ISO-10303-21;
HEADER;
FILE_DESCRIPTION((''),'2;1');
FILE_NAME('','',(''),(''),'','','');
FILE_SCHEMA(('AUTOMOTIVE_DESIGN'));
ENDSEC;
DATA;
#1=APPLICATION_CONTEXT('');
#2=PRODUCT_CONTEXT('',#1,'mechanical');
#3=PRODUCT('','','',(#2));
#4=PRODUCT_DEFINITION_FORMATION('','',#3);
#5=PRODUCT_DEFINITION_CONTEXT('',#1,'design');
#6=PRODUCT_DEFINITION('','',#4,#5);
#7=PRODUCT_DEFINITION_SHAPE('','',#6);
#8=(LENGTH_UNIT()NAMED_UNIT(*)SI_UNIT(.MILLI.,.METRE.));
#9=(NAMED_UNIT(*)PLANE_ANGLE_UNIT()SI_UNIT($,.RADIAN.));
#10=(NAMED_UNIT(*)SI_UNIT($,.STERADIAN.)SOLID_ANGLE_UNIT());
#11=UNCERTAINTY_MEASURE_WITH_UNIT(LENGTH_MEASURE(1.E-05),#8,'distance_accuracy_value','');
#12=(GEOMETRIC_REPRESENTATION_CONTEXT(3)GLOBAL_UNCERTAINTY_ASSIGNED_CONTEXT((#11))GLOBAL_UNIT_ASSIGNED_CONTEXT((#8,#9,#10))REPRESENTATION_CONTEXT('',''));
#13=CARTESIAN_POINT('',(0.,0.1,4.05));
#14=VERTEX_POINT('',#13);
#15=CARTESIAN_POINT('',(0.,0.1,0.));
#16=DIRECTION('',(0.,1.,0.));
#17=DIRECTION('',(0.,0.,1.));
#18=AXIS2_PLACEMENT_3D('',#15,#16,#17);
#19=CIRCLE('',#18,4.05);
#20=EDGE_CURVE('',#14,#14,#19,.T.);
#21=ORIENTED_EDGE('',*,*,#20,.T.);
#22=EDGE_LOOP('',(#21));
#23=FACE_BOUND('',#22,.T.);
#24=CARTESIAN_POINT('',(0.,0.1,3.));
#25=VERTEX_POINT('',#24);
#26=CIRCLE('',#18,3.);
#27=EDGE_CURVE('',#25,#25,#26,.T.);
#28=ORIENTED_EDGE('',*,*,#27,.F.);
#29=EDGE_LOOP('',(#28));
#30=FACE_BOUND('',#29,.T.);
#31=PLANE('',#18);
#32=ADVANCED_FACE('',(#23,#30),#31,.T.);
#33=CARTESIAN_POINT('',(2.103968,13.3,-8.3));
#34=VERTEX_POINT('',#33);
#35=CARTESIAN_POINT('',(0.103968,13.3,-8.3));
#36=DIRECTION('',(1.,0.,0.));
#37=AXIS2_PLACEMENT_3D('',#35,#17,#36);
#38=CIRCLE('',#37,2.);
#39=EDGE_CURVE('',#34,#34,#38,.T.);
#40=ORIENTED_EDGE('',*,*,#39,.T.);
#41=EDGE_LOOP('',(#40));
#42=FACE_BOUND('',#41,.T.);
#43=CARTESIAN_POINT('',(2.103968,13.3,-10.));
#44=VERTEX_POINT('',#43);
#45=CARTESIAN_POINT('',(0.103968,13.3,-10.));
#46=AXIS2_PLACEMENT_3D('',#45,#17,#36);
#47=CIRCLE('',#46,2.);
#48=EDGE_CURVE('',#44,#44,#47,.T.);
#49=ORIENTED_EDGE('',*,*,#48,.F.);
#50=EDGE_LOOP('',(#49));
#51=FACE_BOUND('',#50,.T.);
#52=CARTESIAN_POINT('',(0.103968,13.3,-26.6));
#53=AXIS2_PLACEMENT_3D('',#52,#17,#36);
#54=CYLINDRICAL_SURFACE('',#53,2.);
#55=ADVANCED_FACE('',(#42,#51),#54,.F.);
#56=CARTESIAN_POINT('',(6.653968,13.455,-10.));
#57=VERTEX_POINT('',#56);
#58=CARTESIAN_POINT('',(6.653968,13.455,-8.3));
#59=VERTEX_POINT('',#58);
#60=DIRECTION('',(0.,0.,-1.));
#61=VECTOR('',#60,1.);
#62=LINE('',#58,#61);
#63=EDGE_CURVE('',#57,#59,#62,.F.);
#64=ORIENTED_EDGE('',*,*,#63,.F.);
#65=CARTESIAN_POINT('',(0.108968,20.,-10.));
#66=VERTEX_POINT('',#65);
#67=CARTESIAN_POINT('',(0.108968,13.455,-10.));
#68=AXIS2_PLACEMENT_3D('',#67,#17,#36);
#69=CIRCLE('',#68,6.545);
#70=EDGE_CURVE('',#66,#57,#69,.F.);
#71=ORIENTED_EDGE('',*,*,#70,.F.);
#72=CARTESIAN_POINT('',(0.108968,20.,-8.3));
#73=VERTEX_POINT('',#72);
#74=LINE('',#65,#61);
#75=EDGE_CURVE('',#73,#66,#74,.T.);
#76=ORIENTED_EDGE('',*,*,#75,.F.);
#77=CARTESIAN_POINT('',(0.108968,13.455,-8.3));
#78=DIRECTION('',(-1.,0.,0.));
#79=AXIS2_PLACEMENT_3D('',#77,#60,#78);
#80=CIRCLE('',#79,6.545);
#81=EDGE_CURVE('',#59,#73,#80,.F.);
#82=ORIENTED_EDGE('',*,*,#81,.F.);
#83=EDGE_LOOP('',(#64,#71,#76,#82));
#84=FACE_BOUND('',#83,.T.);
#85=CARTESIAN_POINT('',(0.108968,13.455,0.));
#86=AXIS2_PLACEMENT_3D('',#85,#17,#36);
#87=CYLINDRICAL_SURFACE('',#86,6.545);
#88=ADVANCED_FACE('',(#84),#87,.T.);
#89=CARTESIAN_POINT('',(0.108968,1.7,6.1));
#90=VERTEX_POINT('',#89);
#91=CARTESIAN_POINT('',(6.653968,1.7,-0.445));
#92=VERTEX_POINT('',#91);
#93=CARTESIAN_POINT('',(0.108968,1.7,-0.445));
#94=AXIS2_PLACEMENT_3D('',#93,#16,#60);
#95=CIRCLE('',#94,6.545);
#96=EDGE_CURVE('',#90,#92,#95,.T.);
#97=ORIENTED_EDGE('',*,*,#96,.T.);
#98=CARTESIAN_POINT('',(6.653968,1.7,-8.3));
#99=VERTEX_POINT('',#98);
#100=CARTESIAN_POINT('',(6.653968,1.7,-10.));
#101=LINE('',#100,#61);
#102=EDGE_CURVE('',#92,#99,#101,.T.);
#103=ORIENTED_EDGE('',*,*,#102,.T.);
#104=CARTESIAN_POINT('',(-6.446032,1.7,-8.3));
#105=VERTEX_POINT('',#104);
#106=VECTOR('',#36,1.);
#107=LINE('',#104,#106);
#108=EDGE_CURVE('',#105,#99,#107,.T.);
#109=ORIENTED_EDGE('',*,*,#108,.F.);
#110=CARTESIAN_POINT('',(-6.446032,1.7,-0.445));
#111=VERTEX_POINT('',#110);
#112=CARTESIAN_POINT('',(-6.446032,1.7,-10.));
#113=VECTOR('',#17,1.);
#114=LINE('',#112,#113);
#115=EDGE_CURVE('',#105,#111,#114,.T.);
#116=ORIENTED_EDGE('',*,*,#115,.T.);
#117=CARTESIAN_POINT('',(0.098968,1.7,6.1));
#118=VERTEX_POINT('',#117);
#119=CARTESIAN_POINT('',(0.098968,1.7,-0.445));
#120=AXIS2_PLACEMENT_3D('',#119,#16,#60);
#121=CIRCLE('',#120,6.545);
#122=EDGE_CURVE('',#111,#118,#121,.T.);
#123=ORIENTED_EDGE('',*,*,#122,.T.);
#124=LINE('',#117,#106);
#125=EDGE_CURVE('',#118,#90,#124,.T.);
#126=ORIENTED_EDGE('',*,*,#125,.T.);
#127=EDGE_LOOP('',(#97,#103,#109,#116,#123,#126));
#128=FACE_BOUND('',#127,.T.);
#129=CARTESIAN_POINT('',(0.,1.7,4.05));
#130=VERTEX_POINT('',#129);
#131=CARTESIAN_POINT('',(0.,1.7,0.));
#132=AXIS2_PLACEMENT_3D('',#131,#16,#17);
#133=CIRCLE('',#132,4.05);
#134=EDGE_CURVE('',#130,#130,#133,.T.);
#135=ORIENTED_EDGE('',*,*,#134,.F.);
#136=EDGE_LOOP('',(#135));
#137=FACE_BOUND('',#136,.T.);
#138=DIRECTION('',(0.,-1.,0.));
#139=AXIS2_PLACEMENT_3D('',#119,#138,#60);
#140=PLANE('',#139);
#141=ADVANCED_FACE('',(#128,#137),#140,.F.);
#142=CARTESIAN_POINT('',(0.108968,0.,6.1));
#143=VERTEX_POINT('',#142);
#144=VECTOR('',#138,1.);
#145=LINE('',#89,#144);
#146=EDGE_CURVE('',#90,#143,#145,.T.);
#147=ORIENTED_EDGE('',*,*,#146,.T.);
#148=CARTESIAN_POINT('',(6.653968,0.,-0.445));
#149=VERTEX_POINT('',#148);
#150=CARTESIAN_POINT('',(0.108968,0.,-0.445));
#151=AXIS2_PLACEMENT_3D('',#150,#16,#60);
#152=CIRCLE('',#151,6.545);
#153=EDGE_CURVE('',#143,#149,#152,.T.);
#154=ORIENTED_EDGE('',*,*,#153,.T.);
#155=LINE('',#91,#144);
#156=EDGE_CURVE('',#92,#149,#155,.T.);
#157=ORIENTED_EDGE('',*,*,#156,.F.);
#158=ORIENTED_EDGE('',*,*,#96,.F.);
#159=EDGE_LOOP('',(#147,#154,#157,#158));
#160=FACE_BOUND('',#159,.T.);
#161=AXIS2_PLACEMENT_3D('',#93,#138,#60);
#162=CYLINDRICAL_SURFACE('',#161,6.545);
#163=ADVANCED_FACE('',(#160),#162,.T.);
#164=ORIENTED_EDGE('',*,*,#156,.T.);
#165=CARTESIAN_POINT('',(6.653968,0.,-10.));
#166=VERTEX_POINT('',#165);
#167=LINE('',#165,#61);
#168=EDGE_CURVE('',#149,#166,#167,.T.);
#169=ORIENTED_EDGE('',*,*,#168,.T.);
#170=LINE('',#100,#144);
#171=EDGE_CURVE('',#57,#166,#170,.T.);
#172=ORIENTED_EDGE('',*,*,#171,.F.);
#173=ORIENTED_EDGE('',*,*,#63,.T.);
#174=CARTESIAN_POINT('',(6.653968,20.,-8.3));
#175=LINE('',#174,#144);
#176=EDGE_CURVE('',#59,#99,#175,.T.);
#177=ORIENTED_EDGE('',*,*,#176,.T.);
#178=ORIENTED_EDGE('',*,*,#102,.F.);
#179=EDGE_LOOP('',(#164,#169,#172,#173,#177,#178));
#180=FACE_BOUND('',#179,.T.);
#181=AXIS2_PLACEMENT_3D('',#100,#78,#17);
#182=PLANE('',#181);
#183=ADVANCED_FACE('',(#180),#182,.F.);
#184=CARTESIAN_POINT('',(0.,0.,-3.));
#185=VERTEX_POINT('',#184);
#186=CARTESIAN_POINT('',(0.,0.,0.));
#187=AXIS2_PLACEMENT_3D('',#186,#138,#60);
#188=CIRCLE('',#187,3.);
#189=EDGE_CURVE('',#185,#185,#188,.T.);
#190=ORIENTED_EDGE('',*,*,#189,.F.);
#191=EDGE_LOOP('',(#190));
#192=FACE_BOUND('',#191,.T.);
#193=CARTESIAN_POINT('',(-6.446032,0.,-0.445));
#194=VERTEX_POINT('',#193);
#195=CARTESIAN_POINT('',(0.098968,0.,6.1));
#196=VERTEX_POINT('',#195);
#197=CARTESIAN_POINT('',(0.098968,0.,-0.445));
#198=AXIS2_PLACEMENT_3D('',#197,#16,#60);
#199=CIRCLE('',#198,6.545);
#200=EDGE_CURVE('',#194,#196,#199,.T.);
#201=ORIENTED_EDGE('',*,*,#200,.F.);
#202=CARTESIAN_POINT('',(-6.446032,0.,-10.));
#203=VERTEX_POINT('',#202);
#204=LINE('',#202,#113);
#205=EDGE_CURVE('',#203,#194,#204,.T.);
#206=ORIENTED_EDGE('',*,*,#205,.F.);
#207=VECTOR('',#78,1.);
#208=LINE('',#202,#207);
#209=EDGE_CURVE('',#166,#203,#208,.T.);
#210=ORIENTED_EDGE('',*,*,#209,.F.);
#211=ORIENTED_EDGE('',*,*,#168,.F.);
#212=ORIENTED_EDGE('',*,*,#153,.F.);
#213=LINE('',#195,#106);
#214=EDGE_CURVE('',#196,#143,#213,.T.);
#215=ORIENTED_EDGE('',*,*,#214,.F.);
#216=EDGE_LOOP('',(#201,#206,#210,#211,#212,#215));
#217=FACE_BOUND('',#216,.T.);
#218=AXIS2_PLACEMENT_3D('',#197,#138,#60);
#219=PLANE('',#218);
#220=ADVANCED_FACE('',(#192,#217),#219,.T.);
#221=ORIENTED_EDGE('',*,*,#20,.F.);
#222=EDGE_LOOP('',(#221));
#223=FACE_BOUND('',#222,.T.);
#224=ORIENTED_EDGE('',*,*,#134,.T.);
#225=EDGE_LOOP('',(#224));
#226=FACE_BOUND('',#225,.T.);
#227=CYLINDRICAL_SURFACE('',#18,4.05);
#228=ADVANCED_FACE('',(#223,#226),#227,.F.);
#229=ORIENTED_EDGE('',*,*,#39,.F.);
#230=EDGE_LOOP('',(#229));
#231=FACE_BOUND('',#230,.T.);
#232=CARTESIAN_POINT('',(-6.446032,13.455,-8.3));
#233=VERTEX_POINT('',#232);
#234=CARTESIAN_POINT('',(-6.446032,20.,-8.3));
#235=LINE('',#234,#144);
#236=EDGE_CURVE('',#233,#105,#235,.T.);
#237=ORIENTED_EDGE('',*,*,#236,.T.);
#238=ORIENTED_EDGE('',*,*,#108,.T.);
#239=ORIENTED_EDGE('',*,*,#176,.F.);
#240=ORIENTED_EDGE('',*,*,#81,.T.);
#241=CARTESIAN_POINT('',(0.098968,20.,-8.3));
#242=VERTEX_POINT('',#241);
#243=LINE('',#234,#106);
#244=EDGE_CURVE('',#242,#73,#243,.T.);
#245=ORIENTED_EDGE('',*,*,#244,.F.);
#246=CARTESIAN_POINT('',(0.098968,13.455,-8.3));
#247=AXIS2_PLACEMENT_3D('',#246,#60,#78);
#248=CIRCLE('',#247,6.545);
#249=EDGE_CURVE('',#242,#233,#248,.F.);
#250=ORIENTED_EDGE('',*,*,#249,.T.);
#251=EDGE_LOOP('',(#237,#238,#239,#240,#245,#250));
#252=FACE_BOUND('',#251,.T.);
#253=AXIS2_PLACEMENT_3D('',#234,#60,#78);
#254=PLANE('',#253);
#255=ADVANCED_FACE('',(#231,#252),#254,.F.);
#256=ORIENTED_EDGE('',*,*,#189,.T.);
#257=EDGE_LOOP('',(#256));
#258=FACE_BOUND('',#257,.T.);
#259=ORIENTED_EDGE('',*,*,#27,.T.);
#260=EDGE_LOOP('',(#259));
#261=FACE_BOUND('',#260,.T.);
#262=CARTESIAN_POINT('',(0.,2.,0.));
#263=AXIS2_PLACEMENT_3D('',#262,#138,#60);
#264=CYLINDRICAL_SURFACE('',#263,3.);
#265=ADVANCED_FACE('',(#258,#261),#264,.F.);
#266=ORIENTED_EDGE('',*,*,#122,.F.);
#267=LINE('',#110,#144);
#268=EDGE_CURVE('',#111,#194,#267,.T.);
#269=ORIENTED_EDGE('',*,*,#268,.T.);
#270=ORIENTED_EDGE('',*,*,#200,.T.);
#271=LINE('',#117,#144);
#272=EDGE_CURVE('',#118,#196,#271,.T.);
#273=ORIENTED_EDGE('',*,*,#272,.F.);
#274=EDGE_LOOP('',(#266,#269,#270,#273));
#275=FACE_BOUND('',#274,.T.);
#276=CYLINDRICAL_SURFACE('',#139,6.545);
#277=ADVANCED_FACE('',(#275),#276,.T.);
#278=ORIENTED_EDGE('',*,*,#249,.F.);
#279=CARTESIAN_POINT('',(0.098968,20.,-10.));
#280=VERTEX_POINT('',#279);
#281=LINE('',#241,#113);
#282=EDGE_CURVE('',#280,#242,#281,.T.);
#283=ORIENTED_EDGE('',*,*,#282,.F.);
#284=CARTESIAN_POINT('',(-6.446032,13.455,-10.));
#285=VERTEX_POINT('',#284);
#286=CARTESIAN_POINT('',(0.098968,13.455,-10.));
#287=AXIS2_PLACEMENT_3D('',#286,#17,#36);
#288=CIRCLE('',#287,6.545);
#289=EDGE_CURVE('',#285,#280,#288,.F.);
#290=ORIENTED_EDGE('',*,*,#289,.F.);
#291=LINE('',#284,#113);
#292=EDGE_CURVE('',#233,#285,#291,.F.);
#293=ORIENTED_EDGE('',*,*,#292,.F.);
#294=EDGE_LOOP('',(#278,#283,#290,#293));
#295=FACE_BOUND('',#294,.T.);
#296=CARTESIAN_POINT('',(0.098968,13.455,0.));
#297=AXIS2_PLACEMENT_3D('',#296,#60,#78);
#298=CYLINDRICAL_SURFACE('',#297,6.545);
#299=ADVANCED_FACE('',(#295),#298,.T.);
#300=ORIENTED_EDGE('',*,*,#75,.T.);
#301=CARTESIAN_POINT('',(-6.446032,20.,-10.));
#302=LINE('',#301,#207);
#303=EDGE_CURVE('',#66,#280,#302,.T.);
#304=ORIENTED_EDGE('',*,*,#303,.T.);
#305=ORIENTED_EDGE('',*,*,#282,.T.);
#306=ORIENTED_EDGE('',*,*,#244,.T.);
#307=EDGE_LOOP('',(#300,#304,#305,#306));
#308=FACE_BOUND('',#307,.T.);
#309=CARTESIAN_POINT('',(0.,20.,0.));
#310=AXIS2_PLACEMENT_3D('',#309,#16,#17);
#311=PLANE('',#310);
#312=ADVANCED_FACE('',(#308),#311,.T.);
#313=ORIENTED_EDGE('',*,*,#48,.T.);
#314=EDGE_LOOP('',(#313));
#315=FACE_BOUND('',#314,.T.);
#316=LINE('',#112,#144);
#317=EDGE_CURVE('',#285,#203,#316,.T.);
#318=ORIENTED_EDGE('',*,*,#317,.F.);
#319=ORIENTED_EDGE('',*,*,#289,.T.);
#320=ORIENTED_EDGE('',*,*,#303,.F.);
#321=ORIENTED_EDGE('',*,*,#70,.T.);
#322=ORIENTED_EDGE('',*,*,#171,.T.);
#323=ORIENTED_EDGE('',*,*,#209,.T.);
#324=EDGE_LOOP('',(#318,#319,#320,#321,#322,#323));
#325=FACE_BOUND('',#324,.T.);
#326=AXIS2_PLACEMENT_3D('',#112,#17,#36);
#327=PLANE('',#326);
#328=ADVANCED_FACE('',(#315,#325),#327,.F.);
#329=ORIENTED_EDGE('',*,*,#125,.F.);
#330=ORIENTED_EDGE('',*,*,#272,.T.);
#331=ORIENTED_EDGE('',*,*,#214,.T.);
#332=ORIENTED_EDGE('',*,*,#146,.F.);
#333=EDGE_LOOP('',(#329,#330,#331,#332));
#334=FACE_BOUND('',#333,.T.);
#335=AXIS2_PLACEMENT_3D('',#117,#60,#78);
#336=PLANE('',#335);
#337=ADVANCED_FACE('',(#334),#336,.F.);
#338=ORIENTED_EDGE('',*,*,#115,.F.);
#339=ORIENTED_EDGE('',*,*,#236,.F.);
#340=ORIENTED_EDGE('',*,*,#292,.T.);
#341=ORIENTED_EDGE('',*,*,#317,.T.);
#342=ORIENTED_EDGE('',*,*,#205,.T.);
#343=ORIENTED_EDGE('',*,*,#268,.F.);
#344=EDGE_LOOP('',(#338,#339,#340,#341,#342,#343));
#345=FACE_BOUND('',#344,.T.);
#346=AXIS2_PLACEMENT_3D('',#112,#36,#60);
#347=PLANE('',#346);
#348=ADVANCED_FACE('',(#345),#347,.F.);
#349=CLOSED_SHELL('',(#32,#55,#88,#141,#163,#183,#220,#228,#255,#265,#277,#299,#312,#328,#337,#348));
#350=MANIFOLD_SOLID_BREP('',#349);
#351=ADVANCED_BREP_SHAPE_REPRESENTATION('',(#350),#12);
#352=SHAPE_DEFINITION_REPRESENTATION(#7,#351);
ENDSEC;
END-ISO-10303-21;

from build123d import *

# Parameters (mm, degrees)
SKETCH2_R           = 2.5
BOSS_EXTRUDE1_DEPTH = 1.7
SKETCH3_W           = 13.1
SKETCH3_H           = 1.7
BOSS_EXTRUDE2_DEPTH = 18.3
SKETCH4_R           = 2
CUT_EXTRUDE1_DEPTH  = 18.3
FILLET1_R           = 6.545
SKETCH5_R           = 4.05
CUT_EXTRUDE2_DEPTH  = 1.6
SKETCH7_R           = 2.5
SKETCH7_R_2         = 1.5
BOSS_EXTRUDE4_DEPTH = 0.1
SKETCH9_R           = 3
SKETCH9_R_2         = 1.5
CUT_EXTRUDE3_DEPTH  = 2


with BuildPart() as part:
    # Sketch2 → Boss-Extrude1 (new body)
    with BuildSketch(Plane(origin=(0, 0, 0), x_dir=(1, 0, 0), z_dir=(0, 1, 0))):
        with BuildLine():
            Line((-6.446031746, 10), (6.653968254, 10))
            Line((6.653968254, 10), (6.653968254, 0.445))
            ThreePointArc((6.653968254, 0.445), (4.736982137, -4.183013883), (0.108968254, -6.1))
            Line((0.108968254, -6.1), (0.098968254, -6.1))
            ThreePointArc((0.098968254, -6.1), (-4.529045629, -4.183013883), (-6.446031746, 0.445))
            Line((-6.446031746, 0.445), (-6.446031746, 10))
        make_face()
        with Locations(Location((0, 0, 0), (0, 0, 270))):
            Circle(SKETCH2_R, mode=Mode.SUBTRACT)
    extrude(amount=BOSS_EXTRUDE1_DEPTH)

    # Sketch3 → Boss-Extrude2 (add)
    with BuildSketch(Plane(origin=(0, 1.7, 0), x_dir=(1, 0, 0), z_dir=(0, 1, 0))):
        with Locations((0.103968254, 9.15)):
            Rectangle(SKETCH3_W, SKETCH3_H)
    extrude(amount=BOSS_EXTRUDE2_DEPTH)

    # Sketch4 → Cut-Extrude1 (cut)
    with BuildSketch(Plane.XY.offset(-8.3)):
        with Locations((0.103968254, 13.3)):
            Circle(SKETCH4_R)
    extrude(amount=-CUT_EXTRUDE1_DEPTH, mode=Mode.SUBTRACT)

    # Fillet1
    fillet1_edges = [part.edges().sort_by_distance(p)[0] for p in [
        (-6.446031746, 20, -9.15),
        (6.653968254, 20, -9.15),
    ]]
    fillet(fillet1_edges, radius=FILLET1_R)

    # Sketch5 → Cut-Extrude2 (cut)
    with BuildSketch(Plane(origin=(0, 1.7, 0), x_dir=(1, 0, 0), z_dir=(0, 1, 0))):
        with Locations(Location((0, 0, 0), (0, 0, 270))):
            Circle(SKETCH5_R)
    extrude(amount=-CUT_EXTRUDE2_DEPTH, mode=Mode.SUBTRACT)

    # Sketch7 → Boss-Extrude4 (add)
    with BuildSketch(Plane.XZ):
        Circle(SKETCH7_R)
        with Locations(Location((0, 0, 0), (0, 0, 270))):
            Circle(SKETCH7_R_2, mode=Mode.SUBTRACT)
    extrude(amount=-BOSS_EXTRUDE4_DEPTH)

    # Sketch9 → Cut-Extrude3 (cut)
    with BuildSketch(Plane.XZ):
        with Locations(Location((0, 0, 0), (0, 0, 270))):
            Circle(SKETCH9_R)
        Circle(SKETCH9_R_2, mode=Mode.SUBTRACT)
    extrude(amount=-CUT_EXTRUDE3_DEPTH, mode=Mode.SUBTRACT)


solid = part.part
